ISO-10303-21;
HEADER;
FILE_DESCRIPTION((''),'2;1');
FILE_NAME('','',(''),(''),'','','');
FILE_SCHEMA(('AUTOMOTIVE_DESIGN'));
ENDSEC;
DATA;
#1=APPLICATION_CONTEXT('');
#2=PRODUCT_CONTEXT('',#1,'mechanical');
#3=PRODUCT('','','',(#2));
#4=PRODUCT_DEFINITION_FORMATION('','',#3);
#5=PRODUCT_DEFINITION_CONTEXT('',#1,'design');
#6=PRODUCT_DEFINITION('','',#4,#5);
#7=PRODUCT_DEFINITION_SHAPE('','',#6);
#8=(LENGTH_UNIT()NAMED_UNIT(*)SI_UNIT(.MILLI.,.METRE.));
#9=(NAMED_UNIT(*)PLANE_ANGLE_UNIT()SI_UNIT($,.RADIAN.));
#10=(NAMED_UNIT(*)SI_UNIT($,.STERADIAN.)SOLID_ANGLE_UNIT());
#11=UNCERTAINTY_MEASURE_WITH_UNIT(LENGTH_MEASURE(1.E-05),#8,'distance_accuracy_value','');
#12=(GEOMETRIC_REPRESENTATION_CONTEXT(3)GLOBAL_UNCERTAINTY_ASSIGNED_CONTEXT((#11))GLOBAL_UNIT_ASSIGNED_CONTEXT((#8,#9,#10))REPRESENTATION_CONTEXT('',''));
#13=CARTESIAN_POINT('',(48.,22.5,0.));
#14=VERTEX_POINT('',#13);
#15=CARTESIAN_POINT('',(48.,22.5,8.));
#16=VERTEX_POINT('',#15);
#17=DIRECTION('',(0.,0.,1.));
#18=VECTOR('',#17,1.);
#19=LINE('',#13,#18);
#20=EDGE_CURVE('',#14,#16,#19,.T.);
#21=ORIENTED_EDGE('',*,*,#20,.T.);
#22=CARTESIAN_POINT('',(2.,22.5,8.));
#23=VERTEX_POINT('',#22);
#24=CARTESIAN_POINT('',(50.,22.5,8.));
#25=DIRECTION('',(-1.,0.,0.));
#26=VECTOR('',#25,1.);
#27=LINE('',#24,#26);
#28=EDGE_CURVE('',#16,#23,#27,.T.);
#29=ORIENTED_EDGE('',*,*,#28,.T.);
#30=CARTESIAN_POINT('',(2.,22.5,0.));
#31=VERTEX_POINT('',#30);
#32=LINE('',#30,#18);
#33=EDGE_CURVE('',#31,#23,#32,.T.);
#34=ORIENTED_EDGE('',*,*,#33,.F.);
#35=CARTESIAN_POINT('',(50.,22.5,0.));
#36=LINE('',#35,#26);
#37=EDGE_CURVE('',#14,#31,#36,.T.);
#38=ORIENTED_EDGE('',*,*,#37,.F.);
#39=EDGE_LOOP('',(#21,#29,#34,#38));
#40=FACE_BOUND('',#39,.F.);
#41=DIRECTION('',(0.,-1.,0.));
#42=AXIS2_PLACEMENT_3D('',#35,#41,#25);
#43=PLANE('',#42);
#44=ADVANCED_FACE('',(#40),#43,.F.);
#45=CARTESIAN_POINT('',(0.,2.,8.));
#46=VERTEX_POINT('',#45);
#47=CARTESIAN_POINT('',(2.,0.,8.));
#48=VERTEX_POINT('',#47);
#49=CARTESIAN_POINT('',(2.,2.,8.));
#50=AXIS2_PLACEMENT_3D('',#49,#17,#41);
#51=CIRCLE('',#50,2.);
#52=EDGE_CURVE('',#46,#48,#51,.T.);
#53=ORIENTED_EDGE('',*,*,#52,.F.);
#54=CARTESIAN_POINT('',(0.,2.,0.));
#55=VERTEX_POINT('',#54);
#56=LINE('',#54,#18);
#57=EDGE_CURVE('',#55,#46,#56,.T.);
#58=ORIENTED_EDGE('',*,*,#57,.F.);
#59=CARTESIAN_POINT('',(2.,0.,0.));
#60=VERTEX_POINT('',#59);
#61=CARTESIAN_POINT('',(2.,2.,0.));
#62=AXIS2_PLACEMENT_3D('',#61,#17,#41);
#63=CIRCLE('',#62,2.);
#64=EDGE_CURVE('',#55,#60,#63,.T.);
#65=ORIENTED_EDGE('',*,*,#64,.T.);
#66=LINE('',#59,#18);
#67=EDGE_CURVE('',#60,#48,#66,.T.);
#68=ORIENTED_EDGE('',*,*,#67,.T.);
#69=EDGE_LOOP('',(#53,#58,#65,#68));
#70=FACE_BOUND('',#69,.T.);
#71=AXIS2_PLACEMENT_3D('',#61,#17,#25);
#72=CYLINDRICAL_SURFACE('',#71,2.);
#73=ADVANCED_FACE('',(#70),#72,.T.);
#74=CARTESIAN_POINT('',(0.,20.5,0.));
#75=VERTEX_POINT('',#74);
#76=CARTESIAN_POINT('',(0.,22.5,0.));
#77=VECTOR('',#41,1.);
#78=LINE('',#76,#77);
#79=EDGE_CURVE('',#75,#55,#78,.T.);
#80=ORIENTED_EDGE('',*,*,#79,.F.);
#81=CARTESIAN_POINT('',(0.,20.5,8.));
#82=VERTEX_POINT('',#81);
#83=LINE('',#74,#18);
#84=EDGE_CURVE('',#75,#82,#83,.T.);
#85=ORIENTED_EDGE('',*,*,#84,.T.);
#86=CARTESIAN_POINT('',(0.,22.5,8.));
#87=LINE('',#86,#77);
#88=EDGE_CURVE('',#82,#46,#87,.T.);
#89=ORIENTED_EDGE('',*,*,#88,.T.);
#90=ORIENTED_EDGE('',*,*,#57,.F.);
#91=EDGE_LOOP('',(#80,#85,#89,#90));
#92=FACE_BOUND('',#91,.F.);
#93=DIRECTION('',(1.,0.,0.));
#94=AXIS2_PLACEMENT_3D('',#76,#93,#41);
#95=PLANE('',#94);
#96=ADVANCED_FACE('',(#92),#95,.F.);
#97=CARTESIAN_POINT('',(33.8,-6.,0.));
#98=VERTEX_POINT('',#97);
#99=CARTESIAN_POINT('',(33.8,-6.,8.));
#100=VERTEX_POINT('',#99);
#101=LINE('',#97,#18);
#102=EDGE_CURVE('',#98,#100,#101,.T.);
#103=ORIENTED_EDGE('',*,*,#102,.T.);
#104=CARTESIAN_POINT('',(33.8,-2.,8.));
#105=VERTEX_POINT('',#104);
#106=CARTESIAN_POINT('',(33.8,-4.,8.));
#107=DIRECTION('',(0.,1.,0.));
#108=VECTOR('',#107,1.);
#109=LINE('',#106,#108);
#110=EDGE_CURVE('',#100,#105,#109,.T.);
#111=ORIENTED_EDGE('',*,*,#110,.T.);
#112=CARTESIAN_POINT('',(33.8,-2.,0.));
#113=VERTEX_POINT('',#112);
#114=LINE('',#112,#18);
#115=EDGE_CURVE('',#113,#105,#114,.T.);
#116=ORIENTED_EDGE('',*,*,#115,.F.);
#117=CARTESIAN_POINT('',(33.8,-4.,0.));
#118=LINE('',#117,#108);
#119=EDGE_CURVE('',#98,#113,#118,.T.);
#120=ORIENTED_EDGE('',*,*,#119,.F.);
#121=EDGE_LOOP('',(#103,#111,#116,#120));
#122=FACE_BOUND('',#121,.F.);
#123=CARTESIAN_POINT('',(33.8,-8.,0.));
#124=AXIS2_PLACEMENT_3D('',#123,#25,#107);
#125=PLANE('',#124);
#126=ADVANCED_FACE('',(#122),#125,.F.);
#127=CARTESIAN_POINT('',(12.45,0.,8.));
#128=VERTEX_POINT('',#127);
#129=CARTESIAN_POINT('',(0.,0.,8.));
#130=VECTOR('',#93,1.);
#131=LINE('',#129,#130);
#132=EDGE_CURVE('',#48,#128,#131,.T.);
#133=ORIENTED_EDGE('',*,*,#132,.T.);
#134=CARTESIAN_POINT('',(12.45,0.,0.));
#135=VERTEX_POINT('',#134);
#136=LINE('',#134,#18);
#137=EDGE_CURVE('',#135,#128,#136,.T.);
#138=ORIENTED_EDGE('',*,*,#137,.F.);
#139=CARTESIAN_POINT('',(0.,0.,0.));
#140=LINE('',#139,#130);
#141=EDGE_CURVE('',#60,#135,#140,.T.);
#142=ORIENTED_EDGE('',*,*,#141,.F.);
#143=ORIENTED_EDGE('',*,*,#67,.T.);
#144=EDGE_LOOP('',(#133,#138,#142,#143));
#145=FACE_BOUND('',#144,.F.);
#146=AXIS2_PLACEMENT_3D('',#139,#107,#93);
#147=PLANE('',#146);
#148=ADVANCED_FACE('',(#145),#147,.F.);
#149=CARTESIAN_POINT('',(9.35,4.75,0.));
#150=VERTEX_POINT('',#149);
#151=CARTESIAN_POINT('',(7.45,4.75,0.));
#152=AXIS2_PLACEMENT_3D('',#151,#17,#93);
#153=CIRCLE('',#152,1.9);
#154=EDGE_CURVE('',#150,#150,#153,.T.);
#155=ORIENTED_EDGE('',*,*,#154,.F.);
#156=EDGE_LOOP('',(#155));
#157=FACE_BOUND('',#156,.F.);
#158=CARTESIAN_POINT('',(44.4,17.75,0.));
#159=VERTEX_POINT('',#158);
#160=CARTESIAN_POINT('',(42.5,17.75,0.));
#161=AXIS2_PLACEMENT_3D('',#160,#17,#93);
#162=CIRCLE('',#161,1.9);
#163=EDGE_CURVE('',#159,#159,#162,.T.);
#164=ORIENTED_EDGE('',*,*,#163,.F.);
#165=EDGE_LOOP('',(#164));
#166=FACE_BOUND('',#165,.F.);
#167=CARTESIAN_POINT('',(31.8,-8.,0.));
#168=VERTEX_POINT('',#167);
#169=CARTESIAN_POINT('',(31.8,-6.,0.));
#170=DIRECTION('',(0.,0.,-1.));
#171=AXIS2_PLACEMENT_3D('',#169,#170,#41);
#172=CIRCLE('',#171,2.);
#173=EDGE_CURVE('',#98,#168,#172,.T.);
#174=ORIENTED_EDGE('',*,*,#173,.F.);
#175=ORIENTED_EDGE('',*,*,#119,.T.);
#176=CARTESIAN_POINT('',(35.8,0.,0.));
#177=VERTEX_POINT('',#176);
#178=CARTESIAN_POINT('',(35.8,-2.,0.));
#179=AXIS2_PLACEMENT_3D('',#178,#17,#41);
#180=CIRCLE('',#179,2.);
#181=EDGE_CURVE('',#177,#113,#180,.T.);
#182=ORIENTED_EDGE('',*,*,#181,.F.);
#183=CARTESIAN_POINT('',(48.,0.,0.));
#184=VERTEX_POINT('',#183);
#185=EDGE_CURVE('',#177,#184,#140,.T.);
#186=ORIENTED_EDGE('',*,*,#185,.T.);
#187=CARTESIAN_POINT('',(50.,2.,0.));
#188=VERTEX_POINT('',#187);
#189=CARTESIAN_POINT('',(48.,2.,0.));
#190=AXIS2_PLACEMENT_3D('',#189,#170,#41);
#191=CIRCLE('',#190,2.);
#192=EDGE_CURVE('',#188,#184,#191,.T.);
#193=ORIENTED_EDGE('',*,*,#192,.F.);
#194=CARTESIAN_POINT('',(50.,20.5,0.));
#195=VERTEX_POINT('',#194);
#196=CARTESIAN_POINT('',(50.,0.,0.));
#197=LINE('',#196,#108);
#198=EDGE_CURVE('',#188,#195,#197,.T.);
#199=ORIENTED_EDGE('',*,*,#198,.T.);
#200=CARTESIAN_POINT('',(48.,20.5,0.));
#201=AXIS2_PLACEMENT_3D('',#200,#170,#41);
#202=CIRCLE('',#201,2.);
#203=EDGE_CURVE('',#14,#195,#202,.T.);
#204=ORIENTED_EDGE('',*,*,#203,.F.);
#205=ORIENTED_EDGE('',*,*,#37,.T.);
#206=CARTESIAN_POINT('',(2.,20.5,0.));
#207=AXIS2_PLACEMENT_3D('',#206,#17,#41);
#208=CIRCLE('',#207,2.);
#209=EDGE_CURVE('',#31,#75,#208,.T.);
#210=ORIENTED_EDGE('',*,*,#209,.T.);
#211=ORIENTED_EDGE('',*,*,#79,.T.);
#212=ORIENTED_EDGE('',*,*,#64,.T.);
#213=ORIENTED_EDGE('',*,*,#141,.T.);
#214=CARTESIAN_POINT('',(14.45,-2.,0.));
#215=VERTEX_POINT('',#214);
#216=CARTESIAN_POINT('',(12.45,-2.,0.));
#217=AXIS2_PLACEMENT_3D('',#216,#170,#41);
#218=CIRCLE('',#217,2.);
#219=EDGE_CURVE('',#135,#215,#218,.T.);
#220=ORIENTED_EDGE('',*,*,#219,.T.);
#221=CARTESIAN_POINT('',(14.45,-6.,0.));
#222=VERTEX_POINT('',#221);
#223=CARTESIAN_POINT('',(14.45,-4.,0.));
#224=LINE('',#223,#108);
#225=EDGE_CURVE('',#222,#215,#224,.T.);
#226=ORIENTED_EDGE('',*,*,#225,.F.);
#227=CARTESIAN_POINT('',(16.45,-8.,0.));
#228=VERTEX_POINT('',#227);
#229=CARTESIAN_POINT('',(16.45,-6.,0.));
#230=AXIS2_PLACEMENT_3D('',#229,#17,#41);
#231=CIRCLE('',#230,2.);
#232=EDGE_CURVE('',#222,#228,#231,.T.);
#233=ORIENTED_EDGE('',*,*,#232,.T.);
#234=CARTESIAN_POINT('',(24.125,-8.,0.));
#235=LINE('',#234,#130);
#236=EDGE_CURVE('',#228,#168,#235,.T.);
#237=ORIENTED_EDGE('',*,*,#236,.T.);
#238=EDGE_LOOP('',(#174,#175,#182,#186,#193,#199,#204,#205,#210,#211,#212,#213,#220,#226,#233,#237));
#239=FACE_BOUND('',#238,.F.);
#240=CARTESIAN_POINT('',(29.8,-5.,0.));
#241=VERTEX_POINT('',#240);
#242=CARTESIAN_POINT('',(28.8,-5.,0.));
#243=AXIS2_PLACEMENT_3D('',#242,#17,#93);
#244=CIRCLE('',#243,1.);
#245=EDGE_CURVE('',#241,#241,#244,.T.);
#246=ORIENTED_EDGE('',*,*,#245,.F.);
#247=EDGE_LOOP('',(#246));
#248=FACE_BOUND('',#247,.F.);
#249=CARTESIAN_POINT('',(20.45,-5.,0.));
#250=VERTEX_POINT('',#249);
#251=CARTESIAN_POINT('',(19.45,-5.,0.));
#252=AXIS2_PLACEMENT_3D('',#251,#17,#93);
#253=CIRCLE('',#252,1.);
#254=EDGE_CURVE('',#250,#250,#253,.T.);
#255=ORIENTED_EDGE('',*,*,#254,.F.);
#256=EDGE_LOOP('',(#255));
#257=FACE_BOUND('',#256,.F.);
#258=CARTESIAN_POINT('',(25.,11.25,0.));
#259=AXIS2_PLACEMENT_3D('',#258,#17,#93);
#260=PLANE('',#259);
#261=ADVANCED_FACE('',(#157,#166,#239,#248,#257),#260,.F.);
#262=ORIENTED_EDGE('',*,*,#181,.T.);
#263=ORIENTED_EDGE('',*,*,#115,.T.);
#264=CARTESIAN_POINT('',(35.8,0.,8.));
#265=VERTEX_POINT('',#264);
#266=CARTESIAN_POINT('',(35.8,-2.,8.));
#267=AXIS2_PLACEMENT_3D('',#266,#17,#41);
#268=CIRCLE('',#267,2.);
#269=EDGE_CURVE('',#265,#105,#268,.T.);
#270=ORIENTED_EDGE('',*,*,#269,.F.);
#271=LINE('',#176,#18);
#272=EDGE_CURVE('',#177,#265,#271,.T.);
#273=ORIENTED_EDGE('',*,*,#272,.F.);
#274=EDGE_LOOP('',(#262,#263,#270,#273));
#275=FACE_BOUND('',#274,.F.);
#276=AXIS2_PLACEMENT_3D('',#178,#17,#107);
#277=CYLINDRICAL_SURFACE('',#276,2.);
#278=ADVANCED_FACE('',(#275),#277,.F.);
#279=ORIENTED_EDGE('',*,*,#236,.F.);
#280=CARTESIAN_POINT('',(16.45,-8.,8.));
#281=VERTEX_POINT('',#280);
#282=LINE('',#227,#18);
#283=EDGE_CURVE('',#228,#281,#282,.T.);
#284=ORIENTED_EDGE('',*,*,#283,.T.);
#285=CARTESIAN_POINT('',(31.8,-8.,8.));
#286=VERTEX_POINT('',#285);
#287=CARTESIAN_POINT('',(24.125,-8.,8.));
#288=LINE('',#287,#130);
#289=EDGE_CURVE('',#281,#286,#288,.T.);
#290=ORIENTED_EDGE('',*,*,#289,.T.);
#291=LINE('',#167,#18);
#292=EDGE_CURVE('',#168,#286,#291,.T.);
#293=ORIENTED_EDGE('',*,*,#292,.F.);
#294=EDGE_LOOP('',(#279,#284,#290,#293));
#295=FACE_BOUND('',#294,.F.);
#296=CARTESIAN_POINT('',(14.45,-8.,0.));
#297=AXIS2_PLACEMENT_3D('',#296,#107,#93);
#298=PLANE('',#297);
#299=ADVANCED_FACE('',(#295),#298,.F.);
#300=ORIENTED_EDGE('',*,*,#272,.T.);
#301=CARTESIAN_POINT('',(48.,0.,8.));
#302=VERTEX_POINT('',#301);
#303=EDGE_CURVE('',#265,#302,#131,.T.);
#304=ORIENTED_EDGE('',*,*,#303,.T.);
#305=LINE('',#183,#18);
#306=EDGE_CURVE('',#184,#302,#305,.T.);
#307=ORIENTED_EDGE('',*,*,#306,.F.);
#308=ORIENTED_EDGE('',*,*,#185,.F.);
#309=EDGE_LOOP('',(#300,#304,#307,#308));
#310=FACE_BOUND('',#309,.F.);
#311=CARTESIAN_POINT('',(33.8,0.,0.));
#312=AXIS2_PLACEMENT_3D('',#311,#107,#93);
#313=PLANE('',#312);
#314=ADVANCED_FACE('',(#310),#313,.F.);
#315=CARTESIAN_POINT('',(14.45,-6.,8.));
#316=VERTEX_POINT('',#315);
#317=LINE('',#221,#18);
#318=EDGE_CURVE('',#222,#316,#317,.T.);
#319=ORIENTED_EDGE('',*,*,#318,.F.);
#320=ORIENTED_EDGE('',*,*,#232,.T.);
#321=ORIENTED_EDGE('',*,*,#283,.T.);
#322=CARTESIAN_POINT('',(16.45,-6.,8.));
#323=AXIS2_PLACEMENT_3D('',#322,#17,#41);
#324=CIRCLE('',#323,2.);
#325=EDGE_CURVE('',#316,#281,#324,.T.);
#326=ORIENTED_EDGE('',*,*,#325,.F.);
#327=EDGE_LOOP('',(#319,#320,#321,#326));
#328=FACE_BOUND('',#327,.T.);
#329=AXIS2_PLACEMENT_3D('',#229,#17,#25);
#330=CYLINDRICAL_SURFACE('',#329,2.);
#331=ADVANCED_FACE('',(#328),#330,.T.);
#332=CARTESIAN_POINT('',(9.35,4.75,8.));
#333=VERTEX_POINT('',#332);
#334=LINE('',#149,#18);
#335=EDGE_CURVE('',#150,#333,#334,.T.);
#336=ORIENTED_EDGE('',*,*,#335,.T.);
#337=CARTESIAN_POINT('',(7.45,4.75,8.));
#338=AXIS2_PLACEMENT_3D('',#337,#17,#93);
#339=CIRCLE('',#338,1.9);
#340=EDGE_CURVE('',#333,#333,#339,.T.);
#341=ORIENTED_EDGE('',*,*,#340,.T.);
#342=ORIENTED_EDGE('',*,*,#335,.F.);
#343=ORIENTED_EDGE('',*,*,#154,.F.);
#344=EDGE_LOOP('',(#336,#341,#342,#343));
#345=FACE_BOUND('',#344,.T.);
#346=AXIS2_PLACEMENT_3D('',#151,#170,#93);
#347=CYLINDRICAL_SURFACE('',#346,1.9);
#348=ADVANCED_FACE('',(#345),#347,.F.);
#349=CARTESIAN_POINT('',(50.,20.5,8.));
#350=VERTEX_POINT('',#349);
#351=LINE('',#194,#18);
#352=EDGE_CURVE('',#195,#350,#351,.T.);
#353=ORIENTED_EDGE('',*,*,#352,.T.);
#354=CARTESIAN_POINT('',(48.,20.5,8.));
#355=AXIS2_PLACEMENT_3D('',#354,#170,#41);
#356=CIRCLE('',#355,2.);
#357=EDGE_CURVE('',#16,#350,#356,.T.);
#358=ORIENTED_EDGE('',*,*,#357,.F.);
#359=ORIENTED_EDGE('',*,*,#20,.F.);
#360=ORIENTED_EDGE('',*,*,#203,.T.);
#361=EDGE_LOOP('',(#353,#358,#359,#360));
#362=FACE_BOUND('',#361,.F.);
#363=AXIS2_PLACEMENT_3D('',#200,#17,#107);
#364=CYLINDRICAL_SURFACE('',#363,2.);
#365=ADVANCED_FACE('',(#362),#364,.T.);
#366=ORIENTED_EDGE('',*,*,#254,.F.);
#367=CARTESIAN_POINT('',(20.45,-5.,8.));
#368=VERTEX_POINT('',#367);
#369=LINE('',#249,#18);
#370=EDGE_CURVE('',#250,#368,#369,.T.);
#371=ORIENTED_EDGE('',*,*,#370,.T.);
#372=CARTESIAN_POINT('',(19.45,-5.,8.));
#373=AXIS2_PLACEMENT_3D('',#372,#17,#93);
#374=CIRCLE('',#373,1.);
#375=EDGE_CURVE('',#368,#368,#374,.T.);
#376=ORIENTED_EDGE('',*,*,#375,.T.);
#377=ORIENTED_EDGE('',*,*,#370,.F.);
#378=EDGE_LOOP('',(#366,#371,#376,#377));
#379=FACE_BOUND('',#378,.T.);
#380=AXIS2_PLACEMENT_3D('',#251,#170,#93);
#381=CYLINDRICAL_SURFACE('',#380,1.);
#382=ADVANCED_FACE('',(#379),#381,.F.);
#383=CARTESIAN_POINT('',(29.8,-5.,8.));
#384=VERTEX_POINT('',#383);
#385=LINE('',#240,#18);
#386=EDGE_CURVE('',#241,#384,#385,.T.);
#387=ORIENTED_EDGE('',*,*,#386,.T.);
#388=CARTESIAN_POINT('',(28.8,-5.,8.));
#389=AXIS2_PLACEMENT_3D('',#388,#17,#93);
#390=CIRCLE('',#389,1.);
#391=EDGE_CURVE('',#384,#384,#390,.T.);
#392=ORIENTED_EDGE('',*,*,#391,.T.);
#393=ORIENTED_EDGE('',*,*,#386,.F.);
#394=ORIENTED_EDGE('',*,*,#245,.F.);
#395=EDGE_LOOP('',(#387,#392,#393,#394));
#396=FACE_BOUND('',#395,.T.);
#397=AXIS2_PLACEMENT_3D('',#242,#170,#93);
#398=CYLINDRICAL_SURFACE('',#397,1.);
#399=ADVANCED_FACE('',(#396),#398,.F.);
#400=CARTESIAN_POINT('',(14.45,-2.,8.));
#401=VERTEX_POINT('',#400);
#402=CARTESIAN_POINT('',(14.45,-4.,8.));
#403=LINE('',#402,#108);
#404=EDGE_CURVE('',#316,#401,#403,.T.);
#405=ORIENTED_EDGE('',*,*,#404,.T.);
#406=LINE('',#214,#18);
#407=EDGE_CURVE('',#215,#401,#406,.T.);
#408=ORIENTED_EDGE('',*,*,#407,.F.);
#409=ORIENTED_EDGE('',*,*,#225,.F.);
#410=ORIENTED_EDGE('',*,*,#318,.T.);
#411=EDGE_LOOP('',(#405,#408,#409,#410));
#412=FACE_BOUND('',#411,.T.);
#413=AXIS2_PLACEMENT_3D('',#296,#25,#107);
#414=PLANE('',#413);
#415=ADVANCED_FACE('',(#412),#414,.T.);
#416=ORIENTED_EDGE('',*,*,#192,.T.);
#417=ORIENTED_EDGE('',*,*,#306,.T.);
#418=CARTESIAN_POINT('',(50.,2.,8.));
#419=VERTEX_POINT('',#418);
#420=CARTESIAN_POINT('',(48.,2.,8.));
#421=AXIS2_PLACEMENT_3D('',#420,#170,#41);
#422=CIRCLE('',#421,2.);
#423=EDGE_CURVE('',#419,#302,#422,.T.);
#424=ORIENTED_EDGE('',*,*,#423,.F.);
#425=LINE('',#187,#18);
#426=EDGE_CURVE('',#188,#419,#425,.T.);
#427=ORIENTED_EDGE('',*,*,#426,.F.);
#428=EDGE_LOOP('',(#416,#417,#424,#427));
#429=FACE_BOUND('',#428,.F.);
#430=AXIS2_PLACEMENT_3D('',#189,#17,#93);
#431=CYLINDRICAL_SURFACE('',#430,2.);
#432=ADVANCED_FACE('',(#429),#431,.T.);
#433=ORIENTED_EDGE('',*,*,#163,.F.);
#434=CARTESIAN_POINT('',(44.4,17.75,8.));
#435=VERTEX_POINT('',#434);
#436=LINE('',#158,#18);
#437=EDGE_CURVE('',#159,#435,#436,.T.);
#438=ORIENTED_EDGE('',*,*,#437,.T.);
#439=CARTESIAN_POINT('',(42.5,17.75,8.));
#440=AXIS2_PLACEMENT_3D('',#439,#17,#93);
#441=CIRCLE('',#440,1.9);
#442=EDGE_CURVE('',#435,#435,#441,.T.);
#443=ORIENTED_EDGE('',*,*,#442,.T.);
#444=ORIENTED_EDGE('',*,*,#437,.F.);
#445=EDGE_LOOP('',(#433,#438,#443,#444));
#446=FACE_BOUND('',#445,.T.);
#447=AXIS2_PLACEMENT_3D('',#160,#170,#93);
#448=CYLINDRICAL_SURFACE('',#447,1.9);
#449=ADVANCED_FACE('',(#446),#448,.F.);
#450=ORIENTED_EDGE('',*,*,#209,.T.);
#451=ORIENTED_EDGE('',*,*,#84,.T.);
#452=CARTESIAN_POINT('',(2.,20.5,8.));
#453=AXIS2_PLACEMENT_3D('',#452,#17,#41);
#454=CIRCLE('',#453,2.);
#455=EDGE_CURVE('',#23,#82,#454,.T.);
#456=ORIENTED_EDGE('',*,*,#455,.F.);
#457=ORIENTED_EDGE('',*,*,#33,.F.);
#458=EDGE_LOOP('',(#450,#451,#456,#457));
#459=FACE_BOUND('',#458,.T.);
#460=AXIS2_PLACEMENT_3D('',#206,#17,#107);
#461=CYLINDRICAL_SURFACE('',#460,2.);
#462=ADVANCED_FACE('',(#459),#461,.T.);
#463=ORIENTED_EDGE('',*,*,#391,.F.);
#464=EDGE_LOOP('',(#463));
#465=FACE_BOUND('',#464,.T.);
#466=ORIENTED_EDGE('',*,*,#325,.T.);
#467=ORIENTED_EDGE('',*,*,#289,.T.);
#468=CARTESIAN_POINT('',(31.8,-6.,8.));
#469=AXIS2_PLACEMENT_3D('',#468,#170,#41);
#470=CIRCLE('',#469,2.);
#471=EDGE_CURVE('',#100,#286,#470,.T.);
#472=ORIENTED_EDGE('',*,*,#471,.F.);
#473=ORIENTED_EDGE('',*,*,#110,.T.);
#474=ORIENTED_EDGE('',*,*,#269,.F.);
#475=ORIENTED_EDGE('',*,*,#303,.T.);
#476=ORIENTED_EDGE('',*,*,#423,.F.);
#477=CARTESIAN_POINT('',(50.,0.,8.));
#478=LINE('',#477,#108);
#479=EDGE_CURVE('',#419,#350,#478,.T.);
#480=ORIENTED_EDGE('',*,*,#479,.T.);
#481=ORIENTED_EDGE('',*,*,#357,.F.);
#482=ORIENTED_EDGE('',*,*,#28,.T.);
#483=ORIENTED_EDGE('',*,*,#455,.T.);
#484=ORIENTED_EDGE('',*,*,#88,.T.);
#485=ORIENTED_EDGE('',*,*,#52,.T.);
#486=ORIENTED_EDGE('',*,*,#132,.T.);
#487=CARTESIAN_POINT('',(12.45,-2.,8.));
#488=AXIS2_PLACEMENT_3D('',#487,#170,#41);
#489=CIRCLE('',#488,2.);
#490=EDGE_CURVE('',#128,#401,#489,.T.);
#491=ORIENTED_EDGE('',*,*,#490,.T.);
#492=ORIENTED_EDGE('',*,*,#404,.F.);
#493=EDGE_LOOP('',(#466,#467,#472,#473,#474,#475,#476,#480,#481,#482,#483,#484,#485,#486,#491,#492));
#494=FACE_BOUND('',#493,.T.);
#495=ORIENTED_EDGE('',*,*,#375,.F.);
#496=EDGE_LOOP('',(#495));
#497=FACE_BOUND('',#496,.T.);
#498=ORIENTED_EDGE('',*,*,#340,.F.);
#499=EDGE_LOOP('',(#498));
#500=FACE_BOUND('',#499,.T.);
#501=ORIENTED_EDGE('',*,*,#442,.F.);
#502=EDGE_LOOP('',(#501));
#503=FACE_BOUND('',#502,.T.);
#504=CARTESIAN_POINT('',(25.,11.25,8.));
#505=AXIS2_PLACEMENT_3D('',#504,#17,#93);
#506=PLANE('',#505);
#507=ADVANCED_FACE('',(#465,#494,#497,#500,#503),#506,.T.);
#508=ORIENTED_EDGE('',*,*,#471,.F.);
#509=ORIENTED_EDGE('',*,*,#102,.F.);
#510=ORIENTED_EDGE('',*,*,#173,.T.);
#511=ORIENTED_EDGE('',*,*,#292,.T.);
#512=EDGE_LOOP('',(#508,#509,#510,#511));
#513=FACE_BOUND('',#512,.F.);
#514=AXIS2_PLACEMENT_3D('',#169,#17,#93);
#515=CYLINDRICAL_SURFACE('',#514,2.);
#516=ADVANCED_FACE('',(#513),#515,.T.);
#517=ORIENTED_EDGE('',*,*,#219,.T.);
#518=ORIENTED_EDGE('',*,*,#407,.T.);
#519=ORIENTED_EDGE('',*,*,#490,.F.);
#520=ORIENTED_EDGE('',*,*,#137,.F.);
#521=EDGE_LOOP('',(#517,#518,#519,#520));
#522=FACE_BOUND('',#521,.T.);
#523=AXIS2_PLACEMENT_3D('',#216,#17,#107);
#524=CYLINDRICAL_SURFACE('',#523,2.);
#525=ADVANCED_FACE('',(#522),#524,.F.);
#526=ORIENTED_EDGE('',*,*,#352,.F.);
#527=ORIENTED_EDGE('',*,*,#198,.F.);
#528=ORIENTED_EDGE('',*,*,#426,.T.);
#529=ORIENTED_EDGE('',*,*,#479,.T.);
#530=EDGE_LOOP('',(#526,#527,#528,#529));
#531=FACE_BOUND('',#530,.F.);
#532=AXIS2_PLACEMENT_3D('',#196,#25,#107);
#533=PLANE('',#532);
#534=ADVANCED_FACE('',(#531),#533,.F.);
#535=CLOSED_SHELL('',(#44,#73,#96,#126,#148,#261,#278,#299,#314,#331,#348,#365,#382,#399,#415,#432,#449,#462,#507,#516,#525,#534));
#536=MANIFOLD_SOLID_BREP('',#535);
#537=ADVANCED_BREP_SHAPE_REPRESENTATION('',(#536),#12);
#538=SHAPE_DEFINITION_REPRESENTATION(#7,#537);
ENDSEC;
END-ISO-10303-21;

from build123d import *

# Parameters (mm, degrees)
F0_R     = 1.9
F0_W     = 19.35
F0_H     = 8
F0_R_2   = 1
F1_DEPTH = 8
F2_R     = 2


with BuildPart() as f1:
    # F0 (on Top) → F1 (new body)
    with BuildSketch(Plane.XY):
        Polygon((50, 22.5), (0, 22.5), (0, 0), (14.45, 0), (33.8, 0), (50, 0), align=None)
        with Locations((7.45, 4.75)):
            Circle(F0_R, mode=Mode.SUBTRACT)
        with Locations((42.5, 17.75)):
            Circle(F0_R, mode=Mode.SUBTRACT)
        with Locations((24.125, -4)):
            Rectangle(F0_W, F0_H)
        with Locations((19.45, -5)):
            Circle(F0_R_2, mode=Mode.SUBTRACT)
        with Locations((28.8, -5)):
            Circle(F0_R_2, mode=Mode.SUBTRACT)
    extrude(amount=F1_DEPTH)

    # F2
    f2_edges = [f1.edges().sort_by_distance(p)[0] for p in [
        (14.45, 0, 4),
        (14.45, -8, 4),
        (33.8, -8, 4),
        (33.8, 0, 4),
        (50, 0, 4),
        (50, 22.5, 4),
        (0, 0, 4),
        (0, 22.5, 4),
    ]]
    fillet(f2_edges, radius=F2_R)


solid = f1.part
